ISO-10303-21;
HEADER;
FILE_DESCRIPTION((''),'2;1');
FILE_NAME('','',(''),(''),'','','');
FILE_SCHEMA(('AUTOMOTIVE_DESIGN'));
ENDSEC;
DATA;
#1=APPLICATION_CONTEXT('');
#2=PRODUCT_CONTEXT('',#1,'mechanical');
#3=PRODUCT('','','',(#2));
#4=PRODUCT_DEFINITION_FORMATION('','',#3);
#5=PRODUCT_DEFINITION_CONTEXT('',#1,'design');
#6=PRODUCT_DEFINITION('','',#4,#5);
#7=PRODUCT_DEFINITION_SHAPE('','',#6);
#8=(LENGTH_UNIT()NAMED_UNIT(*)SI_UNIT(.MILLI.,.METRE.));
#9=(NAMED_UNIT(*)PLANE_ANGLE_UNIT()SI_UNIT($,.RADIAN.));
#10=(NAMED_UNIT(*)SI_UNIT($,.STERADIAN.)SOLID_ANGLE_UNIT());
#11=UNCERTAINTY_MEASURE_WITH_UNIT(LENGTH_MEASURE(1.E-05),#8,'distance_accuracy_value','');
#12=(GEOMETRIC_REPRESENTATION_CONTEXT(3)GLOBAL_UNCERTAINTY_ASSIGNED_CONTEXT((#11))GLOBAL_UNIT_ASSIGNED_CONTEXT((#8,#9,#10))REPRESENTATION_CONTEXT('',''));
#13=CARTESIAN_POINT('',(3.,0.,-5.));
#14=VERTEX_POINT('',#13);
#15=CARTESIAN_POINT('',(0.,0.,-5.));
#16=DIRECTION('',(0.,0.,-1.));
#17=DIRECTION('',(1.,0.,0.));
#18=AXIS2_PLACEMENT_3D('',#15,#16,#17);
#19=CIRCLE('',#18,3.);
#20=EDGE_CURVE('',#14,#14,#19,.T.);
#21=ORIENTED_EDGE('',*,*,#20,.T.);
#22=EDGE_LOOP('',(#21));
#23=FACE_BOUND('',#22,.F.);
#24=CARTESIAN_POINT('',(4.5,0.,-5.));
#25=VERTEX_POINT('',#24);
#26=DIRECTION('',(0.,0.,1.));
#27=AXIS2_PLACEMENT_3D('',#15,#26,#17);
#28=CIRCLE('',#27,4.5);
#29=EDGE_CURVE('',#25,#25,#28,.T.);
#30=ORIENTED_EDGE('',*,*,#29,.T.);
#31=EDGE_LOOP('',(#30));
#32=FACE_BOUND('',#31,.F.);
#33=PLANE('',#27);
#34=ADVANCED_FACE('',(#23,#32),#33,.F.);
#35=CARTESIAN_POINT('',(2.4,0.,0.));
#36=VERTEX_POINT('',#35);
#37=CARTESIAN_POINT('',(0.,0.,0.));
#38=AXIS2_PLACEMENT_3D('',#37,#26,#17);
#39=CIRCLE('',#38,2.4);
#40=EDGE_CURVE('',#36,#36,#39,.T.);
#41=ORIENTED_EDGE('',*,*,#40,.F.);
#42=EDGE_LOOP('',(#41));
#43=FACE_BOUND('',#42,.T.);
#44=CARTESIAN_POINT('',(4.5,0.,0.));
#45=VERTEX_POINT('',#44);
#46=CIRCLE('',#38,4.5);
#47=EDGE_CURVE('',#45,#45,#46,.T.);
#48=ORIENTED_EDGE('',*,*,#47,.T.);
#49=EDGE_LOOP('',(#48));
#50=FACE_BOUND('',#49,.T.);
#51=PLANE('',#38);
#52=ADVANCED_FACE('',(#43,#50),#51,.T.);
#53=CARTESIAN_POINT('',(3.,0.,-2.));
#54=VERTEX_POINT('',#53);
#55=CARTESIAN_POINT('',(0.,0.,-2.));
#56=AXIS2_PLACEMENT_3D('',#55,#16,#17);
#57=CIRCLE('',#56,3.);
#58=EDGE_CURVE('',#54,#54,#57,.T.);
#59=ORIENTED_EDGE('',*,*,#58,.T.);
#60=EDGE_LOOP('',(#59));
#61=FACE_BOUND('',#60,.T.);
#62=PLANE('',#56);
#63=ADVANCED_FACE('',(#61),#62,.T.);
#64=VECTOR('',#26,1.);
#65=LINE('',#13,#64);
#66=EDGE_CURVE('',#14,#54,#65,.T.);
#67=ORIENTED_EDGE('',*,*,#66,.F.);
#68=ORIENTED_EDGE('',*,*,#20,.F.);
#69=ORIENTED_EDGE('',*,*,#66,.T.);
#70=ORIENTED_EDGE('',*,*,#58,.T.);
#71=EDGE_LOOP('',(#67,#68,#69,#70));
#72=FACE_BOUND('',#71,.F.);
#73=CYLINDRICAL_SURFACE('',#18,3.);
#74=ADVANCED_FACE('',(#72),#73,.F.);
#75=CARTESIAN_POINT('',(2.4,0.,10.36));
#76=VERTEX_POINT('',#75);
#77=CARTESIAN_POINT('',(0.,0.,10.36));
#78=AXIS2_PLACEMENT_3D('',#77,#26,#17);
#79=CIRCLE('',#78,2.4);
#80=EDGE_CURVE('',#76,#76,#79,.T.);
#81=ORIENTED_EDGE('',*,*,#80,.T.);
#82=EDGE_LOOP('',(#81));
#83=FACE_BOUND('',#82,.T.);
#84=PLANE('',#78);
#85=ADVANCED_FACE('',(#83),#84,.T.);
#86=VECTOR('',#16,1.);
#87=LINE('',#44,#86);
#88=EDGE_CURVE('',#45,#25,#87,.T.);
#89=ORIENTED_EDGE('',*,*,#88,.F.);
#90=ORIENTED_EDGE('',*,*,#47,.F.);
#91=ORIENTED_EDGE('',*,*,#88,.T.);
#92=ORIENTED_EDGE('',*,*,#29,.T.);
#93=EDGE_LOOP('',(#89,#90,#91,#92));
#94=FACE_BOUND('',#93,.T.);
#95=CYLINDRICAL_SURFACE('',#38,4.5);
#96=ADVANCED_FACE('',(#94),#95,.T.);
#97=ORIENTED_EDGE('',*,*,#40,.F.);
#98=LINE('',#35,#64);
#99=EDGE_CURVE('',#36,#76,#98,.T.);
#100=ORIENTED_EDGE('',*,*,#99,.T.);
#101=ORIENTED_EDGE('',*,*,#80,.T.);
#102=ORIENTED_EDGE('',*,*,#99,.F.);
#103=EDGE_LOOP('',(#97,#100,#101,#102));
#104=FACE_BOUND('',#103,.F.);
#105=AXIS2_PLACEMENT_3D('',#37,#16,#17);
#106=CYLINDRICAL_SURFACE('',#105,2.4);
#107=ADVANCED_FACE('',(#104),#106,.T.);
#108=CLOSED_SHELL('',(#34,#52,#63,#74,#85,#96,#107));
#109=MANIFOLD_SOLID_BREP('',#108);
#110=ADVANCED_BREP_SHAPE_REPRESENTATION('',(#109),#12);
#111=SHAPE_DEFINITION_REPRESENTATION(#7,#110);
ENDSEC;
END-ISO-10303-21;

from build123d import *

# Parameters (mm, degrees)
F0_R      = 2.4
F1_DEPTH  = 10.36
F0_R_2    = 4.5
F1_FACE_R = 2.4
F2_DEPTH  = 5
F3_R      = 3
F4_DEPTH  = 3


with BuildPart() as f1:
    # F0 (on Top) → F1 (new body)
    with BuildSketch(Plane.XY):
        Circle(F0_R)
    extrude(amount=F1_DEPTH)

    # F0 (on Top) + F1_face (on face) → F2 (join)
    with BuildSketch(Plane.XY):
        Circle(F0_R_2)
        Circle(F0_R, mode=Mode.SUBTRACT)
    with BuildSketch(Plane(origin=(0, 0, 0), x_dir=(1, 0, 0), z_dir=(0, 0, -1))):
        Circle(F1_FACE_R)
    extrude(amount=-F2_DEPTH, dir=(0, 0, 1))

    # F3 (on face) → F4 (cut)
    with BuildSketch(Plane(origin=(0, 0, -5), x_dir=(1, 0, 0), z_dir=(0, 0, -1))):
        Circle(F3_R)
    extrude(amount=-F4_DEPTH, mode=Mode.SUBTRACT)


solid = f1.part
